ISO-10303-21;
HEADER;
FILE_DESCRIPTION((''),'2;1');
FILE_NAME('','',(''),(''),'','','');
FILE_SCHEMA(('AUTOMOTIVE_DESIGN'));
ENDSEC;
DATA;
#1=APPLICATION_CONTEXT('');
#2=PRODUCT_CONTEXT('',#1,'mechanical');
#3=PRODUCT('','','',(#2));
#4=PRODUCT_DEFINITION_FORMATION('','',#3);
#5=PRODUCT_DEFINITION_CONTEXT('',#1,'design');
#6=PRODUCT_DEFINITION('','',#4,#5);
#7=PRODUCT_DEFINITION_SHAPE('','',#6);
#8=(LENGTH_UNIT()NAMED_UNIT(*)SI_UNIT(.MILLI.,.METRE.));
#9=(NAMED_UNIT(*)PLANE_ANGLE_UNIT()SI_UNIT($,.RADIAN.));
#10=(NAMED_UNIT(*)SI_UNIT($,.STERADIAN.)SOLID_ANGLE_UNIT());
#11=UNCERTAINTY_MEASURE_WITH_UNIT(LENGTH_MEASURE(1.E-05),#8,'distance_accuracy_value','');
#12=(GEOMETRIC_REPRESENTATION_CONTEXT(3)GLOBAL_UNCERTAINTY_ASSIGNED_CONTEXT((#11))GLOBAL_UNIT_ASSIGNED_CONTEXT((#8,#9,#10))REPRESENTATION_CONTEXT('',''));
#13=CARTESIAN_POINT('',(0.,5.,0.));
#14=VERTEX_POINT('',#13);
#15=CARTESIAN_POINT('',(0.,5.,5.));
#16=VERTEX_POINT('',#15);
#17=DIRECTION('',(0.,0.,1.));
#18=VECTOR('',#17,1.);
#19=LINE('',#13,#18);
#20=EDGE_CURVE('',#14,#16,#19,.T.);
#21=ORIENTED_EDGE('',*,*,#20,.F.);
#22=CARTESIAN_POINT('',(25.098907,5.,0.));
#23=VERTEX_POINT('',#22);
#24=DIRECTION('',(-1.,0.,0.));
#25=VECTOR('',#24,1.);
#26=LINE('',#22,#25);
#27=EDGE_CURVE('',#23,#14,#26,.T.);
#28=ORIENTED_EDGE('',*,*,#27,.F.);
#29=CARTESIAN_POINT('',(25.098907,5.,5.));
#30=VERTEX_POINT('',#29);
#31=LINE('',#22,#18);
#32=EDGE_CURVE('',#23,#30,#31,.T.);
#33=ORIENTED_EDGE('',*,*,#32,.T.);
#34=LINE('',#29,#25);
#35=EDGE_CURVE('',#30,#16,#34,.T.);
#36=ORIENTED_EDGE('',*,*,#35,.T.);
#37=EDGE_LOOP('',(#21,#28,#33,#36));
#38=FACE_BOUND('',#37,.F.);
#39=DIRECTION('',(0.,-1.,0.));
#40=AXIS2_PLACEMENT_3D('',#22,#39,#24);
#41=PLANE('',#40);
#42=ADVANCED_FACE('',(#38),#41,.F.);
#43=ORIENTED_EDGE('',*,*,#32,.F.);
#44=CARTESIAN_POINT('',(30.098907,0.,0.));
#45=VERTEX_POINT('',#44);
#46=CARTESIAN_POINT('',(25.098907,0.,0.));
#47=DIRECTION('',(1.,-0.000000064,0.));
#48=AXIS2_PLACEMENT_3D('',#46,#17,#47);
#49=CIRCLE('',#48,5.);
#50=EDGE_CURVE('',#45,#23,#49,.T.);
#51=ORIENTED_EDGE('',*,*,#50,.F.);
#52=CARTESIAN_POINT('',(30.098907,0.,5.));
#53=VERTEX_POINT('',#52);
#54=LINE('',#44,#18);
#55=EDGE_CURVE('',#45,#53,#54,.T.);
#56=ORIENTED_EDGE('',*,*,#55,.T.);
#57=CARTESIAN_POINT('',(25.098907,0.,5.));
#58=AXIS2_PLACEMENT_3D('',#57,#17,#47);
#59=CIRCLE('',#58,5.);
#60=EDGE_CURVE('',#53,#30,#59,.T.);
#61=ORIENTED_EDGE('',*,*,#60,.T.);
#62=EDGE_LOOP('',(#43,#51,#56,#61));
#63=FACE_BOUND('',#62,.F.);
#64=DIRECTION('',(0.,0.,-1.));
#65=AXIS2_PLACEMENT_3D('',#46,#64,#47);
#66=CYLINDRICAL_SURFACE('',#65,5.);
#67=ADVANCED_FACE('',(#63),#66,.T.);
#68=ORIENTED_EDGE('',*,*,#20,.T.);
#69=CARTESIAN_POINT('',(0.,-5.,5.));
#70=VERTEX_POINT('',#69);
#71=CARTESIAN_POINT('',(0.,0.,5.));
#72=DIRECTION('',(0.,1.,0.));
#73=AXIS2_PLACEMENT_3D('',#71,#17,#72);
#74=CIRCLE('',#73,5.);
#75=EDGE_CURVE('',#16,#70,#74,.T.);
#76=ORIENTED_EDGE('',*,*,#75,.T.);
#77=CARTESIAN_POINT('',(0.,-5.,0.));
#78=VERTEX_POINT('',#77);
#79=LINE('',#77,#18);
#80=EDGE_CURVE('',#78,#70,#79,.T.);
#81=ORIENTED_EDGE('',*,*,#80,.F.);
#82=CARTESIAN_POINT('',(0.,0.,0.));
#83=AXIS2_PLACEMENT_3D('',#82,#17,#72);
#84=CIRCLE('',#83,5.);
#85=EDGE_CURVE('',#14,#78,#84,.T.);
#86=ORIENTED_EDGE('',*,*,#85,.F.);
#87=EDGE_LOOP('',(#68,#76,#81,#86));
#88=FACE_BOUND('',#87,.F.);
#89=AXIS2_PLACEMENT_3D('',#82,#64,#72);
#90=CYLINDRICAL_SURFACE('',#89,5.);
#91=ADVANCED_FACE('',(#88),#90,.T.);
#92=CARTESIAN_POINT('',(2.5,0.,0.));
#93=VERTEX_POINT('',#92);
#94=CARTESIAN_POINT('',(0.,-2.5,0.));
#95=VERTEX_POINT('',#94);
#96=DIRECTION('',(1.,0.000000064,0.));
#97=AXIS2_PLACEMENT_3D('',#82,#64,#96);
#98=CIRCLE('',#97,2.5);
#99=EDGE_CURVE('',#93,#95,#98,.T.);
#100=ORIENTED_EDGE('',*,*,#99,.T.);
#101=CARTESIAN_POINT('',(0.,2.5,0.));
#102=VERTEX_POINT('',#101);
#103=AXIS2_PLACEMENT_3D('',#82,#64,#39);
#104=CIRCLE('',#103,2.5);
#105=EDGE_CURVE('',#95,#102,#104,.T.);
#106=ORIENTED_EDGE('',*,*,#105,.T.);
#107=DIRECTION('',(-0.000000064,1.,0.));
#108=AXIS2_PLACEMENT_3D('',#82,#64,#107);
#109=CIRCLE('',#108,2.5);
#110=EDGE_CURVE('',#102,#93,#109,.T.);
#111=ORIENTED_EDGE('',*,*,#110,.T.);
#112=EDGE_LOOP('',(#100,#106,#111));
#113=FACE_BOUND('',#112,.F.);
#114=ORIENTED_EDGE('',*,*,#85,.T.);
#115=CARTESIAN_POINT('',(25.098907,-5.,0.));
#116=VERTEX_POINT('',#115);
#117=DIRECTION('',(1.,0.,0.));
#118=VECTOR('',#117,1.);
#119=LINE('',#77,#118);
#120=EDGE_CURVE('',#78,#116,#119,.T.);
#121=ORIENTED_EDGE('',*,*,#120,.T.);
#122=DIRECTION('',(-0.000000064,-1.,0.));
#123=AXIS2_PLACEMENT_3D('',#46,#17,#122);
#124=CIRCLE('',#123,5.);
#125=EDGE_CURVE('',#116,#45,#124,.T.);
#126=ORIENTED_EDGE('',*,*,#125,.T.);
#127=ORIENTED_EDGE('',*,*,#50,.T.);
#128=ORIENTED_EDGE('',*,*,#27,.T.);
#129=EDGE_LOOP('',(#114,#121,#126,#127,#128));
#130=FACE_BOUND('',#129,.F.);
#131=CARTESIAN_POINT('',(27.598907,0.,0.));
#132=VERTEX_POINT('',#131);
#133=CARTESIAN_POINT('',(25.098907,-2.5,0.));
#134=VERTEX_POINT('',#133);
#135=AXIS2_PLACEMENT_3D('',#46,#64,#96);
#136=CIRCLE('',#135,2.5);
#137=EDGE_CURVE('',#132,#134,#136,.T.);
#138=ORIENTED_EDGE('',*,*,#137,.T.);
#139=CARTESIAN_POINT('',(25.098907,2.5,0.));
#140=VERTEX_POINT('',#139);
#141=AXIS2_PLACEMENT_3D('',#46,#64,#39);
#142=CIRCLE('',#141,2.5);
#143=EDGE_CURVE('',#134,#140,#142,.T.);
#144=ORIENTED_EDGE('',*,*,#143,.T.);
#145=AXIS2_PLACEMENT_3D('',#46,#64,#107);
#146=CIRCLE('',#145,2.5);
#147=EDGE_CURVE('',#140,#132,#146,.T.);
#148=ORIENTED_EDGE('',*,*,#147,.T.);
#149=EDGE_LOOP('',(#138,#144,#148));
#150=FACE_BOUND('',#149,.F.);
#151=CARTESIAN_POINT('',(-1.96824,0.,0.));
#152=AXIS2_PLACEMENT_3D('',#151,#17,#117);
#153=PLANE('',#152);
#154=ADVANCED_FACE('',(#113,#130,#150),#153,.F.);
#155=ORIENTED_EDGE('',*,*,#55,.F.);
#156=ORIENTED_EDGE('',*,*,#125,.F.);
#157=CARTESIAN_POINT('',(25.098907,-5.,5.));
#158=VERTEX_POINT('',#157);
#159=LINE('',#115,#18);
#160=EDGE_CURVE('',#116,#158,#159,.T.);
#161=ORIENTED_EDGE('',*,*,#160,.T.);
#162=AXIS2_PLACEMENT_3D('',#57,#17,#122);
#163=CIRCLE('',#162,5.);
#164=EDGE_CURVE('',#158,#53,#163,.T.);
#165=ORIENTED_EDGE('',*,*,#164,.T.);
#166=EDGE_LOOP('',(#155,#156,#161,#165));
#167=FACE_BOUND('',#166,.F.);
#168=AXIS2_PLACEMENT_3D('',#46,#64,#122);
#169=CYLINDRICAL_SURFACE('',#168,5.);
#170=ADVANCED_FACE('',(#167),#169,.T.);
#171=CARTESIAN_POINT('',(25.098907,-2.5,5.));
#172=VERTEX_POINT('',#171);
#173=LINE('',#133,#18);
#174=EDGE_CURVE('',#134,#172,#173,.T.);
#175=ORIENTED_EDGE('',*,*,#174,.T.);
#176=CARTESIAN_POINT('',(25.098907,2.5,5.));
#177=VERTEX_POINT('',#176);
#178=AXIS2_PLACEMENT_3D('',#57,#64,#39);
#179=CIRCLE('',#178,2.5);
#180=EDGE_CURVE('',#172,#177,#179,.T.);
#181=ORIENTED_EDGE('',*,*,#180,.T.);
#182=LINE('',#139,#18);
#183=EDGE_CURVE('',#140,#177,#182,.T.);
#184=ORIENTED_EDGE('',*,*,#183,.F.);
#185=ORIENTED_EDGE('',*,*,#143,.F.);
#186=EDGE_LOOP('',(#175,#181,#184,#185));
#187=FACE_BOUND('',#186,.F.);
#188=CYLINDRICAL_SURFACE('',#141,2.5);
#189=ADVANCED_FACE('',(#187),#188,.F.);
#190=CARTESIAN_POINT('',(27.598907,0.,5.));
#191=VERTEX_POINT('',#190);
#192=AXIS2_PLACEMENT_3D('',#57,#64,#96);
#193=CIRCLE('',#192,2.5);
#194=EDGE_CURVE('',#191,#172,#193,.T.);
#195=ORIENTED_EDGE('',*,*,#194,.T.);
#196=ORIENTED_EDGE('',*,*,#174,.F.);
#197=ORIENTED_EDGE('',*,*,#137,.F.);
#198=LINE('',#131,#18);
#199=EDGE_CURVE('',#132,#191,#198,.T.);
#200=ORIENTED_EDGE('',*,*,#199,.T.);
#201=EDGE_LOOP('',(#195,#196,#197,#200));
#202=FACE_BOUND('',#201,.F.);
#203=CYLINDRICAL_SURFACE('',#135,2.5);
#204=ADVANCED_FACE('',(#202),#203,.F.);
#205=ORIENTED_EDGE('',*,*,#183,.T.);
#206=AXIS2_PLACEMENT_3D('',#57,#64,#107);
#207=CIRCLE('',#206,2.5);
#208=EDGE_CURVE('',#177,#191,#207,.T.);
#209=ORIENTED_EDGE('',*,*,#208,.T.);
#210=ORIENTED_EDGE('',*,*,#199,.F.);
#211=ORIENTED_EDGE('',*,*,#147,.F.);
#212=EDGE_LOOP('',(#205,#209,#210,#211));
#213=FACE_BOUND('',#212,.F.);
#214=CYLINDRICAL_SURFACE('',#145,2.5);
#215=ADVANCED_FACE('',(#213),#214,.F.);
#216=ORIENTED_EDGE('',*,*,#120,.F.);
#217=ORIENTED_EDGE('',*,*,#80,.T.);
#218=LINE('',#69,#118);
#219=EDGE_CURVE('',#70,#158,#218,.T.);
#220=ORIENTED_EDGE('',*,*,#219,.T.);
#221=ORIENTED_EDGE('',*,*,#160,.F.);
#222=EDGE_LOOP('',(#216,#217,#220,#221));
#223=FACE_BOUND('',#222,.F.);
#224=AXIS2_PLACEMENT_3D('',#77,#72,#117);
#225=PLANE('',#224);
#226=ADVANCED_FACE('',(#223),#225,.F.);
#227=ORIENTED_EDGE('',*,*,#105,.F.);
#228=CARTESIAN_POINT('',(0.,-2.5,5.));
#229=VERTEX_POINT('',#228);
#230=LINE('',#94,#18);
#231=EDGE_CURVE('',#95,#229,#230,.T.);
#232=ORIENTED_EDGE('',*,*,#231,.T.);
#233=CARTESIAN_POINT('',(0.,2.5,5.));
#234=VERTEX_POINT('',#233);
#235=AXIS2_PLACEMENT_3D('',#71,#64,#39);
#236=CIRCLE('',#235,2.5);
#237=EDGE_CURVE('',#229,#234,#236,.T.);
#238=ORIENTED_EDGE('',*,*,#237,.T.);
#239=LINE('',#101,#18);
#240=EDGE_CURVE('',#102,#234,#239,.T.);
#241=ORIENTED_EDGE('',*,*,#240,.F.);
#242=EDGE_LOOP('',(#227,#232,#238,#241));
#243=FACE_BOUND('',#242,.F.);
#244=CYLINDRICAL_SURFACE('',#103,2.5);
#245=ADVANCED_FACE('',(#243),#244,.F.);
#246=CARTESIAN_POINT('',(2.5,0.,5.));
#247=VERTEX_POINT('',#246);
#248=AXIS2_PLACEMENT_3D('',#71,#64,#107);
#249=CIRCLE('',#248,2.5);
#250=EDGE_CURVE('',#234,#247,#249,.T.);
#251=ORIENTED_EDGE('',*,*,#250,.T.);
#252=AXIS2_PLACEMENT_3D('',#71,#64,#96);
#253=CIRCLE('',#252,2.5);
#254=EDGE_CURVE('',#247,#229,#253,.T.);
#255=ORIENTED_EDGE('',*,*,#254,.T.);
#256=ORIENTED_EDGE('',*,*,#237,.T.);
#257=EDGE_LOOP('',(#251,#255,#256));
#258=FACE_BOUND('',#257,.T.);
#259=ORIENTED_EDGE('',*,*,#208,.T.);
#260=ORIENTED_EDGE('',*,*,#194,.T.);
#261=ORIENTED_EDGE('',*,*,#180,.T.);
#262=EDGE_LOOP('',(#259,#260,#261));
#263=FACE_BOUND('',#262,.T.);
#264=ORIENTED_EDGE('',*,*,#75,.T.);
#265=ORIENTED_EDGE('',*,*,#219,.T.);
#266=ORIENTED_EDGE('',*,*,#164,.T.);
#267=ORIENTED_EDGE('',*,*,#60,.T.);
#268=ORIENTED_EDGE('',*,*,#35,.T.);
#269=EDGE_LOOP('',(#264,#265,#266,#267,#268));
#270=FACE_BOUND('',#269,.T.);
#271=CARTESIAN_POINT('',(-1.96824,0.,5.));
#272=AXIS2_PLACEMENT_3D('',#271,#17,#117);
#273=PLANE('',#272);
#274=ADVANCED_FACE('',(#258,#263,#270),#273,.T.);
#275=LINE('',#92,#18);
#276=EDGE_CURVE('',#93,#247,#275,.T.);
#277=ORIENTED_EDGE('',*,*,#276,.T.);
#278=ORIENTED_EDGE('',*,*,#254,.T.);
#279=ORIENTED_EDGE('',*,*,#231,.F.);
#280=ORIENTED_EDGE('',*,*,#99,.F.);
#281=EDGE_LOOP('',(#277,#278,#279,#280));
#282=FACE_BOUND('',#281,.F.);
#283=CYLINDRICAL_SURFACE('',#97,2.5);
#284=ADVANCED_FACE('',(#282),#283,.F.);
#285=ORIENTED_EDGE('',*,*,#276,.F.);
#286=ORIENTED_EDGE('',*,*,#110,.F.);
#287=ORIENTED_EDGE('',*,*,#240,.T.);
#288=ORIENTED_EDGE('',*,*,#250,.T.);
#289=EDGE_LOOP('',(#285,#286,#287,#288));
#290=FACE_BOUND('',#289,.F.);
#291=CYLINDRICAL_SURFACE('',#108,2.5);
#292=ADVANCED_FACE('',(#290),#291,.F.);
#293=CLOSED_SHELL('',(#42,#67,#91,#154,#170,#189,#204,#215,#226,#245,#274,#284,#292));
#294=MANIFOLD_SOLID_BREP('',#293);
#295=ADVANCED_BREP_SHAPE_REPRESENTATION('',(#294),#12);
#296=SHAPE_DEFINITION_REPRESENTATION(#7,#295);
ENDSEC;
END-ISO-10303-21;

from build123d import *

# Parameters (mm, degrees)
F1_DEPTH = 5


with BuildPart() as f1:
    # F0 (on Top) → F1 (new body)
    with BuildSketch(Plane.XY):
        with BuildLine():
            Line((0, 2.5), (0, 5))
            ThreePointArc((0, 5), (-5, 0), (0, -5))
            Line((0, -5), (0, -2.5))
            ThreePointArc((0, -2.5), (-2.5, 0), (0, 2.5))
        make_face()
        with BuildLine():
            ThreePointArc((0, -5), (3.535534, -3.535534), (5, 0))
            ThreePointArc((5, 0), (3.535534, 3.535534), (0, 5))
            Line((0, 5), (0, 2.5))
            ThreePointArc((0, 2.5), (1.767767, 1.767767), (2.5, 0))
            ThreePointArc((2.5, 0), (1.767767, -1.767767), (0, -2.5))
            Line((0, -2.5), (0, -5))
        make_face()
        with BuildLine():
            ThreePointArc((0, 5), (3.535534, 3.535534), (5, 0))
            ThreePointArc((5, 0), (3.535534, -3.535534), (0, -5))
            Line((0, -5), (25.098907, -5))
            ThreePointArc((25.098907, -5), (20.098907, 0), (25.098907, 5))
            Line((25.098907, 5), (0, 5))
        make_face()
        with BuildLine():
            Line((25.098907, 2.5), (25.098907, 5))
            ThreePointArc((25.098907, 5), (20.098907, 0), (25.098907, -5))
            Line((25.098907, -5), (25.098907, -2.5))
            ThreePointArc((25.098907, -2.5), (22.598907, 0), (25.098907, 2.5))
        make_face()
        with BuildLine():
            ThreePointArc((30.098907, 0), (28.634441, 3.535534), (25.098907, 5))
            Line((25.098907, 5), (25.098907, 2.5))
            ThreePointArc((25.098907, 2.5), (26.866674, 1.767767), (27.598907, 0))
            ThreePointArc((27.598907, 0), (26.866674, -1.767767), (25.098907, -2.5))
            Line((25.098907, -2.5), (25.098907, -5))
            ThreePointArc((25.098907, -5), (28.634441, -3.535534), (30.098907, 0))
        make_face()
    extrude(amount=F1_DEPTH)


solid = f1.part
